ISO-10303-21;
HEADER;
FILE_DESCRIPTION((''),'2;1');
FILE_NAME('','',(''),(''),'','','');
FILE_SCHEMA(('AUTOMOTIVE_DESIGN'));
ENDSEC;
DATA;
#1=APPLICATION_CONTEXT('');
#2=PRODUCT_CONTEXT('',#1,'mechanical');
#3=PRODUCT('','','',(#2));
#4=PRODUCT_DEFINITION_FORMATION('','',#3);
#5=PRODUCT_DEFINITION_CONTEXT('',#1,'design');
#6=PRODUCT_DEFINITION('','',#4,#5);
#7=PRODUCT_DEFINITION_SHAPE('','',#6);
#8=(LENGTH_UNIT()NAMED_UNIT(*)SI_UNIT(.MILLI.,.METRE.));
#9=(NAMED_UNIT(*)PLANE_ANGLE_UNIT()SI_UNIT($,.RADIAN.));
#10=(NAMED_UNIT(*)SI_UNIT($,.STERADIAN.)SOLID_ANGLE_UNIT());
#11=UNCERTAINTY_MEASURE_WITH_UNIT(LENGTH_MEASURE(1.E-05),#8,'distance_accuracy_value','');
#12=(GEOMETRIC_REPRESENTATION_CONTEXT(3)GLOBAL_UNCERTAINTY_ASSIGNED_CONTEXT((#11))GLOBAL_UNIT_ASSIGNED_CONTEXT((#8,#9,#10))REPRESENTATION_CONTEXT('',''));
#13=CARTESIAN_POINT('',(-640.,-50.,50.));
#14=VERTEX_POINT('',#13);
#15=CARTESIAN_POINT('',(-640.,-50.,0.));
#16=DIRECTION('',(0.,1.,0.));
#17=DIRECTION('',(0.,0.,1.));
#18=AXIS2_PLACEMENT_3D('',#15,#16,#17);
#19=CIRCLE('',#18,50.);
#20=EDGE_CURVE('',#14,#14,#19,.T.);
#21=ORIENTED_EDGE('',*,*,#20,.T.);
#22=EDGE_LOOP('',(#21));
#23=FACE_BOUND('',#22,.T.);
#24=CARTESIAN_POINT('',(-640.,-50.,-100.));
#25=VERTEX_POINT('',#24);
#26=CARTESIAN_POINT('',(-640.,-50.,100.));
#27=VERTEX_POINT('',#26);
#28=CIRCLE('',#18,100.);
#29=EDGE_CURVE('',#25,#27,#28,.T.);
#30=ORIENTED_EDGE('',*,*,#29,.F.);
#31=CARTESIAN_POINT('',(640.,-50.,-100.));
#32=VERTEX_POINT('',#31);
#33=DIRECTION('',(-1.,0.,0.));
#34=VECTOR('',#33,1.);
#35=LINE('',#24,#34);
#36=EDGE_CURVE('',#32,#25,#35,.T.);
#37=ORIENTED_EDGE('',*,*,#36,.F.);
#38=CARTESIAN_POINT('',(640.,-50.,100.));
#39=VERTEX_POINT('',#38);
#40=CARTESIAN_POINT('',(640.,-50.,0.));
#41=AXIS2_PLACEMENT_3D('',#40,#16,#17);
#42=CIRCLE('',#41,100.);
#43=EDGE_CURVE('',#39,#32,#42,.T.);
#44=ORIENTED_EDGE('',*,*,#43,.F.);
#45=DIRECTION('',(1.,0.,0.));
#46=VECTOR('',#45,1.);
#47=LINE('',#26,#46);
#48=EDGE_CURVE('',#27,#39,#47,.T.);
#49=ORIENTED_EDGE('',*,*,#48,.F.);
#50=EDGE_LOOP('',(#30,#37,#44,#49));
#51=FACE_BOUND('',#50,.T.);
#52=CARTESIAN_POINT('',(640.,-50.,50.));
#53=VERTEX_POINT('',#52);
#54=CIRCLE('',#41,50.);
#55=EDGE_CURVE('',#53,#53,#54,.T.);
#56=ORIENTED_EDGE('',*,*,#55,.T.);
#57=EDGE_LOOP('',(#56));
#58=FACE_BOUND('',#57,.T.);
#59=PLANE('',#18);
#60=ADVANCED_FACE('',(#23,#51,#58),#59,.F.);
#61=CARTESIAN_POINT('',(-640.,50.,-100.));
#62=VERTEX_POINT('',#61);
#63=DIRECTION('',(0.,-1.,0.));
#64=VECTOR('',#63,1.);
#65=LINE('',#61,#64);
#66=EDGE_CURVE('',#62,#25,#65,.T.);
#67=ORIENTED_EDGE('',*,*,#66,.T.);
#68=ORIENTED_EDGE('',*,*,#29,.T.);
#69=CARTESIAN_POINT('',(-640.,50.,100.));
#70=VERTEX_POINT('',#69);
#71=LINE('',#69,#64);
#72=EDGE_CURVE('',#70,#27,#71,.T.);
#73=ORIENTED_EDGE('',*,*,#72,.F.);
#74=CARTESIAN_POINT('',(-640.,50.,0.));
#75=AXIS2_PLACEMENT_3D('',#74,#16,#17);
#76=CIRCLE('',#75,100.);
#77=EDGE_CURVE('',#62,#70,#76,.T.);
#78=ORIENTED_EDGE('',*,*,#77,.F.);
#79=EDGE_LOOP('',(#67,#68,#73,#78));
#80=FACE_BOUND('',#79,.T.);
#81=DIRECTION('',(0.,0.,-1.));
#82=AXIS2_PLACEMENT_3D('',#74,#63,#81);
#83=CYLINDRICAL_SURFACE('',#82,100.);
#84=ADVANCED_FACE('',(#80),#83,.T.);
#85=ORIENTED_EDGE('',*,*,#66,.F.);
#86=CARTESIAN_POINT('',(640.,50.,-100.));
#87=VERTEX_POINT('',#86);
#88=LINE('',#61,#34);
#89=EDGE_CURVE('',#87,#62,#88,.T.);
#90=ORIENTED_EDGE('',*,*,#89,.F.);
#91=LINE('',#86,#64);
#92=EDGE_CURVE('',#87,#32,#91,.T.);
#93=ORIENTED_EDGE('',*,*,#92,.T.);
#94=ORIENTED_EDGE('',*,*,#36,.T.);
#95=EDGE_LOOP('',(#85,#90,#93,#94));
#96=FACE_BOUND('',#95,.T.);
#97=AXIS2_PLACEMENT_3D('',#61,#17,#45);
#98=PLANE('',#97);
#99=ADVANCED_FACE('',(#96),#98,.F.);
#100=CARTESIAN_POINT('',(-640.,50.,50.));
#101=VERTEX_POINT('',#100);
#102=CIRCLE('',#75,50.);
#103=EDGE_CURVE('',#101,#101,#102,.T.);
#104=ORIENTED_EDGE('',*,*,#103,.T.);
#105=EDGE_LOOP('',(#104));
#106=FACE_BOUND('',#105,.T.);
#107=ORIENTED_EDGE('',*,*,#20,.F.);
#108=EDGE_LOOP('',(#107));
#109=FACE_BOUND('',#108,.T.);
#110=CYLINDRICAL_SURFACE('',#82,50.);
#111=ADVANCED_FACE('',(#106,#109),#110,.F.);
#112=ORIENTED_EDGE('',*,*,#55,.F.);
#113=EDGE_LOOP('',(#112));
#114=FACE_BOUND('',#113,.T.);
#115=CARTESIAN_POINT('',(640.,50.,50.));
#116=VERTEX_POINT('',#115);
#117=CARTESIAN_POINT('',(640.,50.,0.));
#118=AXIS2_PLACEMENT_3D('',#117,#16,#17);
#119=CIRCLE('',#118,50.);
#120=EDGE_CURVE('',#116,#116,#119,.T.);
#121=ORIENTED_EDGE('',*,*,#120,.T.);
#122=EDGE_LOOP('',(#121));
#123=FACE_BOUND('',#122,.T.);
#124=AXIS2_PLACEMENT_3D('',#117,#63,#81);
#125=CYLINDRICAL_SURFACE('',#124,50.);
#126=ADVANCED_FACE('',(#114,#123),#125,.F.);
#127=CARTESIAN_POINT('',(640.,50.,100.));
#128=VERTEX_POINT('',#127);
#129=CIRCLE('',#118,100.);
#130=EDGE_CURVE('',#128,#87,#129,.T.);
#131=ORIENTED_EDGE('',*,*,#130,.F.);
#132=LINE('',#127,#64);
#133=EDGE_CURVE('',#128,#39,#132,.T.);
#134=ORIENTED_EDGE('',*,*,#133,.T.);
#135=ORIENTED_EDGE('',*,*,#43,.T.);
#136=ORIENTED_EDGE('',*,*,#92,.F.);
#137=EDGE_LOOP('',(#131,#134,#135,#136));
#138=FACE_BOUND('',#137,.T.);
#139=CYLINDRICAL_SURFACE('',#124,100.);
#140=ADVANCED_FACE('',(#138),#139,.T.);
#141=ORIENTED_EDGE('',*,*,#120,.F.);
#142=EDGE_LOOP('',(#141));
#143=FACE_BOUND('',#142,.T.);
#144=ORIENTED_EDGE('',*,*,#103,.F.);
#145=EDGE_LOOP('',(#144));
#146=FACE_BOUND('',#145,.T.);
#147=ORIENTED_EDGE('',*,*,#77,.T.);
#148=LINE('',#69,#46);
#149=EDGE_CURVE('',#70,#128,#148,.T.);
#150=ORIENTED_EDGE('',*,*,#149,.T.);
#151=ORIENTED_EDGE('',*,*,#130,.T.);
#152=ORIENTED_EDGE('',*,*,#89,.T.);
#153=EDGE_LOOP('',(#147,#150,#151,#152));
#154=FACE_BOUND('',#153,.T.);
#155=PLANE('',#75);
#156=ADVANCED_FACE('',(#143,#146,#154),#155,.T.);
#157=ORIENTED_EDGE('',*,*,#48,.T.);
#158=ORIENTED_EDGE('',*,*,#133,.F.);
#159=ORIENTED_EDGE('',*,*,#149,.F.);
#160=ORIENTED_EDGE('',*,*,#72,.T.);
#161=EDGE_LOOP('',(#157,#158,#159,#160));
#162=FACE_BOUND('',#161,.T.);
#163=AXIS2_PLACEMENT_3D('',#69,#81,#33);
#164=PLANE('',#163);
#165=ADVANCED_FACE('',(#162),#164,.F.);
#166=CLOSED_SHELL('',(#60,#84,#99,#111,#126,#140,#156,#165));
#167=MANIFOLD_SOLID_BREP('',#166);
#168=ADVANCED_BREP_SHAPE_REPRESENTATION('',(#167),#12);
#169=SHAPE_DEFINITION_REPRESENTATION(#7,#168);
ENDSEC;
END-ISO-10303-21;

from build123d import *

# Parameters (mm, degrees)
SKETCH1_R           = 50
BOSS_EXTRUDE1_DEPTH = 50


with BuildPart() as part:
    # Sketch1 → Boss-Extrude1 (new, symmetric)
    with BuildSketch(Plane(origin=(0, 0, 0), x_dir=(1, 0, 0), z_dir=(0, 1, 0))):
        with BuildLine():
            Line((-640, 100), (640, 100))
            ThreePointArc((640, 100), (740, 0), (640, -100))
            Line((640, -100), (-640, -100))
            ThreePointArc((-640, -100), (-740, 0), (-640, 100))
        make_face()
        with Locations(Location((-640, 0, 0), (0, 0, 270))):
            Circle(SKETCH1_R, mode=Mode.SUBTRACT)
        with Locations(Location((640, 0, 0), (0, 0, 270))):
            Circle(SKETCH1_R, mode=Mode.SUBTRACT)
    extrude(amount=BOSS_EXTRUDE1_DEPTH, both=True)


solid = part.part
